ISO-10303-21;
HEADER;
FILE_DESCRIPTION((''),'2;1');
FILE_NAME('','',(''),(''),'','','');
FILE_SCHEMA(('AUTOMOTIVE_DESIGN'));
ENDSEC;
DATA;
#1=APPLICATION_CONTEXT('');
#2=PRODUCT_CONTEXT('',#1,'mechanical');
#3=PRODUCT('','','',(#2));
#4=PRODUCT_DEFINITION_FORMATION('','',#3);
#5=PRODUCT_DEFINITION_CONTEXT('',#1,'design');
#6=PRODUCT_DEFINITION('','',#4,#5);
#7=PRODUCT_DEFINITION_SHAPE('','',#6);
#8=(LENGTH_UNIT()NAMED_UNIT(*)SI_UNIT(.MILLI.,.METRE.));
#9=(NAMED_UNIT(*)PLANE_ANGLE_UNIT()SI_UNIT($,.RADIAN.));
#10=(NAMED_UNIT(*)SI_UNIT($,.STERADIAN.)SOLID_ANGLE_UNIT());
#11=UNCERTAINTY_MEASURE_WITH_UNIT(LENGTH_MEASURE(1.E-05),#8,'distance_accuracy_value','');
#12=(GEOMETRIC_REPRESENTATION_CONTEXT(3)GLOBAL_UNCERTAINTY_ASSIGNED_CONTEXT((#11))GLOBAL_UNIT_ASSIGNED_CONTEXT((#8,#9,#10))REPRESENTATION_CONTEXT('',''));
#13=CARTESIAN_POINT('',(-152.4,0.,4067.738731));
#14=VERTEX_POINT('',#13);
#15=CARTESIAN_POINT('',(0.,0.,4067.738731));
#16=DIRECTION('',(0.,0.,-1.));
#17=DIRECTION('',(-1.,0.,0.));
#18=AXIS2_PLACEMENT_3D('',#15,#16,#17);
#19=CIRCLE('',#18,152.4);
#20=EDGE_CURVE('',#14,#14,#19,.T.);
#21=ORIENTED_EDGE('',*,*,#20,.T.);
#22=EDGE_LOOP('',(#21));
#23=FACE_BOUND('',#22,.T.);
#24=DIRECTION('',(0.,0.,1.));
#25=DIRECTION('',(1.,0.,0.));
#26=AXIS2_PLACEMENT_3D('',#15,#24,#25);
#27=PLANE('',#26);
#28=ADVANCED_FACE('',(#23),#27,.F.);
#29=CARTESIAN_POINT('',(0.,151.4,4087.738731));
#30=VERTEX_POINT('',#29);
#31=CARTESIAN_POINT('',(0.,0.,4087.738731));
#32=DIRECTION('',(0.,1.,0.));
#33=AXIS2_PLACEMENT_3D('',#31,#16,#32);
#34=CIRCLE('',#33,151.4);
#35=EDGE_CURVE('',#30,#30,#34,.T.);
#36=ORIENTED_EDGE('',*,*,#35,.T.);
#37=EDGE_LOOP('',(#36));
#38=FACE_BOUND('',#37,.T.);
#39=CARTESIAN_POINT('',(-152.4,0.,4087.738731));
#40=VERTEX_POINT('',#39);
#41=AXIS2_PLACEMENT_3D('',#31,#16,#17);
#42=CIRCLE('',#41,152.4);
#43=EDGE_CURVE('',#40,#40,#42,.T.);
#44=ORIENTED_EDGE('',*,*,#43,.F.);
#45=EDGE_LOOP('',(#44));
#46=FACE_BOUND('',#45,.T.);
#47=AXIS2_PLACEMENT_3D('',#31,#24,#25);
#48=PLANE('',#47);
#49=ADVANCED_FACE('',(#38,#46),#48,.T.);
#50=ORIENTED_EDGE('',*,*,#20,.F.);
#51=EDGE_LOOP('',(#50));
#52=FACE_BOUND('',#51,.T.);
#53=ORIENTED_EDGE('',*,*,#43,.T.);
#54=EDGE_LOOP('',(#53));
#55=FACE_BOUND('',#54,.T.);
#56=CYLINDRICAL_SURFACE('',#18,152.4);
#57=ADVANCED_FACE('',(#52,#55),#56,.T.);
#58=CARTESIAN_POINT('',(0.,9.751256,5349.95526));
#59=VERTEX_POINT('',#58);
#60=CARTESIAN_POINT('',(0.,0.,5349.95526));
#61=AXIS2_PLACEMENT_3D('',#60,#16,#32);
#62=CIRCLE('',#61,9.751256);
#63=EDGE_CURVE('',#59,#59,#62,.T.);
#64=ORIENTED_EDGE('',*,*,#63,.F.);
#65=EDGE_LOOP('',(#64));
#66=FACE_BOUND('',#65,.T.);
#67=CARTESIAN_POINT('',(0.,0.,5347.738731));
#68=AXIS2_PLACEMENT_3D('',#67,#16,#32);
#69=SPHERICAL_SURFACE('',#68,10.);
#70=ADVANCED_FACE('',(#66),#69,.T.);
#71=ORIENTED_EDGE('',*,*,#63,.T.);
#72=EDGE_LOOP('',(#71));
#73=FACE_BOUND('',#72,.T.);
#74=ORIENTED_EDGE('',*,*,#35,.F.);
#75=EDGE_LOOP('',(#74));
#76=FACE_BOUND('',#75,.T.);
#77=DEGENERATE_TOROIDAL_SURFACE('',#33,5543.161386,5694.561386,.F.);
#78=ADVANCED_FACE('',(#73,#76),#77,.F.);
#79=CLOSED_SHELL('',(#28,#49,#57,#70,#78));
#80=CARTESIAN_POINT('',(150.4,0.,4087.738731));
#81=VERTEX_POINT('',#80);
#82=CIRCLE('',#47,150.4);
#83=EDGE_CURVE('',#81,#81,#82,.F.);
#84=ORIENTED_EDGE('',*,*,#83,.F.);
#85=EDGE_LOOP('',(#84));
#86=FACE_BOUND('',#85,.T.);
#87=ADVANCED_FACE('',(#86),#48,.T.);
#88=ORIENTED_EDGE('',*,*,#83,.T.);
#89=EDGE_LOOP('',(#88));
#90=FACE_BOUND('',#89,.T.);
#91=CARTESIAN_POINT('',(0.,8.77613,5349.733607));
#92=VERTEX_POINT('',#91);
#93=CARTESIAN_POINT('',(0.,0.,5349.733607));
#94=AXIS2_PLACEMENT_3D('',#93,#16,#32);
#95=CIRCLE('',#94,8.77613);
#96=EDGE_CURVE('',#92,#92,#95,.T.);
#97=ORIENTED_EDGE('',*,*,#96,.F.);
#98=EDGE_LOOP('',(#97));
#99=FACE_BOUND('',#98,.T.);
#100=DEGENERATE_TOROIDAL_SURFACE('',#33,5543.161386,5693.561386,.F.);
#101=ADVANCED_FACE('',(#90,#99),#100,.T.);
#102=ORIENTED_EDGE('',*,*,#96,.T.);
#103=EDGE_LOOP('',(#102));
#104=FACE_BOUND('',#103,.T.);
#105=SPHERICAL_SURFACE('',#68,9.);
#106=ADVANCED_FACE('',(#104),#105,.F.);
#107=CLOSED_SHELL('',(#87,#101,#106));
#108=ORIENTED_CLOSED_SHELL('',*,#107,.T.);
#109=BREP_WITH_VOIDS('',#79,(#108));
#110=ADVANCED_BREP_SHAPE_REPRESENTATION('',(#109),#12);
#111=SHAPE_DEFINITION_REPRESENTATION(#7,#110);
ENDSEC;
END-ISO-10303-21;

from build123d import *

# Parameters (mm, degrees)
SKETCH1_14_W = 152.4
SKETCH1_14_H = 20


with BuildPart() as part:
    # Sketch1<14> → Revolve9 (revolve)
    with BuildSketch(Plane.YZ, mode=Mode.PRIVATE) as revolve9_sk:
        with Locations((76.2, 4077.73873053)):
            Rectangle(SKETCH1_14_W, SKETCH1_14_H)
    revolve(revolve9_sk.sketch.rotate(Axis((0, 0, 4067.73873053), (0, 0, 1)), 90), axis=Axis((0, 0, 4067.73873053), (0, 0, 1)))

    # Sketch1<18> → Revolve-Thin9 (revolve)
    with BuildSketch(Plane.YZ):
        with BuildLine():
            ThreePointArc((0, 5357.73873053), (6.238377253, 5355.554269491), (9.751256095, 5349.955260381))
            ThreePointArc((9.751256095, 5349.955260381), (115.877016875, 4722.808595757), (151.4, 4087.73873053))
            Line((151.4, 4087.73873053), (150.4, 4087.73873053))
            ThreePointArc((150.4, 4087.73873053), (114.883254929, 4722.697073583), (8.776130485, 5349.733607396))
            ThreePointArc((8.776130485, 5349.733607396), (5.614539527, 5354.772715595), (0, 5356.73873053))
            Line((0, 5356.73873053), (0, 5357.73873053))
        make_face()
    revolve(axis=Axis((0, 0, 2579.7350764), (0, 0, 1)))


solid = part.part
